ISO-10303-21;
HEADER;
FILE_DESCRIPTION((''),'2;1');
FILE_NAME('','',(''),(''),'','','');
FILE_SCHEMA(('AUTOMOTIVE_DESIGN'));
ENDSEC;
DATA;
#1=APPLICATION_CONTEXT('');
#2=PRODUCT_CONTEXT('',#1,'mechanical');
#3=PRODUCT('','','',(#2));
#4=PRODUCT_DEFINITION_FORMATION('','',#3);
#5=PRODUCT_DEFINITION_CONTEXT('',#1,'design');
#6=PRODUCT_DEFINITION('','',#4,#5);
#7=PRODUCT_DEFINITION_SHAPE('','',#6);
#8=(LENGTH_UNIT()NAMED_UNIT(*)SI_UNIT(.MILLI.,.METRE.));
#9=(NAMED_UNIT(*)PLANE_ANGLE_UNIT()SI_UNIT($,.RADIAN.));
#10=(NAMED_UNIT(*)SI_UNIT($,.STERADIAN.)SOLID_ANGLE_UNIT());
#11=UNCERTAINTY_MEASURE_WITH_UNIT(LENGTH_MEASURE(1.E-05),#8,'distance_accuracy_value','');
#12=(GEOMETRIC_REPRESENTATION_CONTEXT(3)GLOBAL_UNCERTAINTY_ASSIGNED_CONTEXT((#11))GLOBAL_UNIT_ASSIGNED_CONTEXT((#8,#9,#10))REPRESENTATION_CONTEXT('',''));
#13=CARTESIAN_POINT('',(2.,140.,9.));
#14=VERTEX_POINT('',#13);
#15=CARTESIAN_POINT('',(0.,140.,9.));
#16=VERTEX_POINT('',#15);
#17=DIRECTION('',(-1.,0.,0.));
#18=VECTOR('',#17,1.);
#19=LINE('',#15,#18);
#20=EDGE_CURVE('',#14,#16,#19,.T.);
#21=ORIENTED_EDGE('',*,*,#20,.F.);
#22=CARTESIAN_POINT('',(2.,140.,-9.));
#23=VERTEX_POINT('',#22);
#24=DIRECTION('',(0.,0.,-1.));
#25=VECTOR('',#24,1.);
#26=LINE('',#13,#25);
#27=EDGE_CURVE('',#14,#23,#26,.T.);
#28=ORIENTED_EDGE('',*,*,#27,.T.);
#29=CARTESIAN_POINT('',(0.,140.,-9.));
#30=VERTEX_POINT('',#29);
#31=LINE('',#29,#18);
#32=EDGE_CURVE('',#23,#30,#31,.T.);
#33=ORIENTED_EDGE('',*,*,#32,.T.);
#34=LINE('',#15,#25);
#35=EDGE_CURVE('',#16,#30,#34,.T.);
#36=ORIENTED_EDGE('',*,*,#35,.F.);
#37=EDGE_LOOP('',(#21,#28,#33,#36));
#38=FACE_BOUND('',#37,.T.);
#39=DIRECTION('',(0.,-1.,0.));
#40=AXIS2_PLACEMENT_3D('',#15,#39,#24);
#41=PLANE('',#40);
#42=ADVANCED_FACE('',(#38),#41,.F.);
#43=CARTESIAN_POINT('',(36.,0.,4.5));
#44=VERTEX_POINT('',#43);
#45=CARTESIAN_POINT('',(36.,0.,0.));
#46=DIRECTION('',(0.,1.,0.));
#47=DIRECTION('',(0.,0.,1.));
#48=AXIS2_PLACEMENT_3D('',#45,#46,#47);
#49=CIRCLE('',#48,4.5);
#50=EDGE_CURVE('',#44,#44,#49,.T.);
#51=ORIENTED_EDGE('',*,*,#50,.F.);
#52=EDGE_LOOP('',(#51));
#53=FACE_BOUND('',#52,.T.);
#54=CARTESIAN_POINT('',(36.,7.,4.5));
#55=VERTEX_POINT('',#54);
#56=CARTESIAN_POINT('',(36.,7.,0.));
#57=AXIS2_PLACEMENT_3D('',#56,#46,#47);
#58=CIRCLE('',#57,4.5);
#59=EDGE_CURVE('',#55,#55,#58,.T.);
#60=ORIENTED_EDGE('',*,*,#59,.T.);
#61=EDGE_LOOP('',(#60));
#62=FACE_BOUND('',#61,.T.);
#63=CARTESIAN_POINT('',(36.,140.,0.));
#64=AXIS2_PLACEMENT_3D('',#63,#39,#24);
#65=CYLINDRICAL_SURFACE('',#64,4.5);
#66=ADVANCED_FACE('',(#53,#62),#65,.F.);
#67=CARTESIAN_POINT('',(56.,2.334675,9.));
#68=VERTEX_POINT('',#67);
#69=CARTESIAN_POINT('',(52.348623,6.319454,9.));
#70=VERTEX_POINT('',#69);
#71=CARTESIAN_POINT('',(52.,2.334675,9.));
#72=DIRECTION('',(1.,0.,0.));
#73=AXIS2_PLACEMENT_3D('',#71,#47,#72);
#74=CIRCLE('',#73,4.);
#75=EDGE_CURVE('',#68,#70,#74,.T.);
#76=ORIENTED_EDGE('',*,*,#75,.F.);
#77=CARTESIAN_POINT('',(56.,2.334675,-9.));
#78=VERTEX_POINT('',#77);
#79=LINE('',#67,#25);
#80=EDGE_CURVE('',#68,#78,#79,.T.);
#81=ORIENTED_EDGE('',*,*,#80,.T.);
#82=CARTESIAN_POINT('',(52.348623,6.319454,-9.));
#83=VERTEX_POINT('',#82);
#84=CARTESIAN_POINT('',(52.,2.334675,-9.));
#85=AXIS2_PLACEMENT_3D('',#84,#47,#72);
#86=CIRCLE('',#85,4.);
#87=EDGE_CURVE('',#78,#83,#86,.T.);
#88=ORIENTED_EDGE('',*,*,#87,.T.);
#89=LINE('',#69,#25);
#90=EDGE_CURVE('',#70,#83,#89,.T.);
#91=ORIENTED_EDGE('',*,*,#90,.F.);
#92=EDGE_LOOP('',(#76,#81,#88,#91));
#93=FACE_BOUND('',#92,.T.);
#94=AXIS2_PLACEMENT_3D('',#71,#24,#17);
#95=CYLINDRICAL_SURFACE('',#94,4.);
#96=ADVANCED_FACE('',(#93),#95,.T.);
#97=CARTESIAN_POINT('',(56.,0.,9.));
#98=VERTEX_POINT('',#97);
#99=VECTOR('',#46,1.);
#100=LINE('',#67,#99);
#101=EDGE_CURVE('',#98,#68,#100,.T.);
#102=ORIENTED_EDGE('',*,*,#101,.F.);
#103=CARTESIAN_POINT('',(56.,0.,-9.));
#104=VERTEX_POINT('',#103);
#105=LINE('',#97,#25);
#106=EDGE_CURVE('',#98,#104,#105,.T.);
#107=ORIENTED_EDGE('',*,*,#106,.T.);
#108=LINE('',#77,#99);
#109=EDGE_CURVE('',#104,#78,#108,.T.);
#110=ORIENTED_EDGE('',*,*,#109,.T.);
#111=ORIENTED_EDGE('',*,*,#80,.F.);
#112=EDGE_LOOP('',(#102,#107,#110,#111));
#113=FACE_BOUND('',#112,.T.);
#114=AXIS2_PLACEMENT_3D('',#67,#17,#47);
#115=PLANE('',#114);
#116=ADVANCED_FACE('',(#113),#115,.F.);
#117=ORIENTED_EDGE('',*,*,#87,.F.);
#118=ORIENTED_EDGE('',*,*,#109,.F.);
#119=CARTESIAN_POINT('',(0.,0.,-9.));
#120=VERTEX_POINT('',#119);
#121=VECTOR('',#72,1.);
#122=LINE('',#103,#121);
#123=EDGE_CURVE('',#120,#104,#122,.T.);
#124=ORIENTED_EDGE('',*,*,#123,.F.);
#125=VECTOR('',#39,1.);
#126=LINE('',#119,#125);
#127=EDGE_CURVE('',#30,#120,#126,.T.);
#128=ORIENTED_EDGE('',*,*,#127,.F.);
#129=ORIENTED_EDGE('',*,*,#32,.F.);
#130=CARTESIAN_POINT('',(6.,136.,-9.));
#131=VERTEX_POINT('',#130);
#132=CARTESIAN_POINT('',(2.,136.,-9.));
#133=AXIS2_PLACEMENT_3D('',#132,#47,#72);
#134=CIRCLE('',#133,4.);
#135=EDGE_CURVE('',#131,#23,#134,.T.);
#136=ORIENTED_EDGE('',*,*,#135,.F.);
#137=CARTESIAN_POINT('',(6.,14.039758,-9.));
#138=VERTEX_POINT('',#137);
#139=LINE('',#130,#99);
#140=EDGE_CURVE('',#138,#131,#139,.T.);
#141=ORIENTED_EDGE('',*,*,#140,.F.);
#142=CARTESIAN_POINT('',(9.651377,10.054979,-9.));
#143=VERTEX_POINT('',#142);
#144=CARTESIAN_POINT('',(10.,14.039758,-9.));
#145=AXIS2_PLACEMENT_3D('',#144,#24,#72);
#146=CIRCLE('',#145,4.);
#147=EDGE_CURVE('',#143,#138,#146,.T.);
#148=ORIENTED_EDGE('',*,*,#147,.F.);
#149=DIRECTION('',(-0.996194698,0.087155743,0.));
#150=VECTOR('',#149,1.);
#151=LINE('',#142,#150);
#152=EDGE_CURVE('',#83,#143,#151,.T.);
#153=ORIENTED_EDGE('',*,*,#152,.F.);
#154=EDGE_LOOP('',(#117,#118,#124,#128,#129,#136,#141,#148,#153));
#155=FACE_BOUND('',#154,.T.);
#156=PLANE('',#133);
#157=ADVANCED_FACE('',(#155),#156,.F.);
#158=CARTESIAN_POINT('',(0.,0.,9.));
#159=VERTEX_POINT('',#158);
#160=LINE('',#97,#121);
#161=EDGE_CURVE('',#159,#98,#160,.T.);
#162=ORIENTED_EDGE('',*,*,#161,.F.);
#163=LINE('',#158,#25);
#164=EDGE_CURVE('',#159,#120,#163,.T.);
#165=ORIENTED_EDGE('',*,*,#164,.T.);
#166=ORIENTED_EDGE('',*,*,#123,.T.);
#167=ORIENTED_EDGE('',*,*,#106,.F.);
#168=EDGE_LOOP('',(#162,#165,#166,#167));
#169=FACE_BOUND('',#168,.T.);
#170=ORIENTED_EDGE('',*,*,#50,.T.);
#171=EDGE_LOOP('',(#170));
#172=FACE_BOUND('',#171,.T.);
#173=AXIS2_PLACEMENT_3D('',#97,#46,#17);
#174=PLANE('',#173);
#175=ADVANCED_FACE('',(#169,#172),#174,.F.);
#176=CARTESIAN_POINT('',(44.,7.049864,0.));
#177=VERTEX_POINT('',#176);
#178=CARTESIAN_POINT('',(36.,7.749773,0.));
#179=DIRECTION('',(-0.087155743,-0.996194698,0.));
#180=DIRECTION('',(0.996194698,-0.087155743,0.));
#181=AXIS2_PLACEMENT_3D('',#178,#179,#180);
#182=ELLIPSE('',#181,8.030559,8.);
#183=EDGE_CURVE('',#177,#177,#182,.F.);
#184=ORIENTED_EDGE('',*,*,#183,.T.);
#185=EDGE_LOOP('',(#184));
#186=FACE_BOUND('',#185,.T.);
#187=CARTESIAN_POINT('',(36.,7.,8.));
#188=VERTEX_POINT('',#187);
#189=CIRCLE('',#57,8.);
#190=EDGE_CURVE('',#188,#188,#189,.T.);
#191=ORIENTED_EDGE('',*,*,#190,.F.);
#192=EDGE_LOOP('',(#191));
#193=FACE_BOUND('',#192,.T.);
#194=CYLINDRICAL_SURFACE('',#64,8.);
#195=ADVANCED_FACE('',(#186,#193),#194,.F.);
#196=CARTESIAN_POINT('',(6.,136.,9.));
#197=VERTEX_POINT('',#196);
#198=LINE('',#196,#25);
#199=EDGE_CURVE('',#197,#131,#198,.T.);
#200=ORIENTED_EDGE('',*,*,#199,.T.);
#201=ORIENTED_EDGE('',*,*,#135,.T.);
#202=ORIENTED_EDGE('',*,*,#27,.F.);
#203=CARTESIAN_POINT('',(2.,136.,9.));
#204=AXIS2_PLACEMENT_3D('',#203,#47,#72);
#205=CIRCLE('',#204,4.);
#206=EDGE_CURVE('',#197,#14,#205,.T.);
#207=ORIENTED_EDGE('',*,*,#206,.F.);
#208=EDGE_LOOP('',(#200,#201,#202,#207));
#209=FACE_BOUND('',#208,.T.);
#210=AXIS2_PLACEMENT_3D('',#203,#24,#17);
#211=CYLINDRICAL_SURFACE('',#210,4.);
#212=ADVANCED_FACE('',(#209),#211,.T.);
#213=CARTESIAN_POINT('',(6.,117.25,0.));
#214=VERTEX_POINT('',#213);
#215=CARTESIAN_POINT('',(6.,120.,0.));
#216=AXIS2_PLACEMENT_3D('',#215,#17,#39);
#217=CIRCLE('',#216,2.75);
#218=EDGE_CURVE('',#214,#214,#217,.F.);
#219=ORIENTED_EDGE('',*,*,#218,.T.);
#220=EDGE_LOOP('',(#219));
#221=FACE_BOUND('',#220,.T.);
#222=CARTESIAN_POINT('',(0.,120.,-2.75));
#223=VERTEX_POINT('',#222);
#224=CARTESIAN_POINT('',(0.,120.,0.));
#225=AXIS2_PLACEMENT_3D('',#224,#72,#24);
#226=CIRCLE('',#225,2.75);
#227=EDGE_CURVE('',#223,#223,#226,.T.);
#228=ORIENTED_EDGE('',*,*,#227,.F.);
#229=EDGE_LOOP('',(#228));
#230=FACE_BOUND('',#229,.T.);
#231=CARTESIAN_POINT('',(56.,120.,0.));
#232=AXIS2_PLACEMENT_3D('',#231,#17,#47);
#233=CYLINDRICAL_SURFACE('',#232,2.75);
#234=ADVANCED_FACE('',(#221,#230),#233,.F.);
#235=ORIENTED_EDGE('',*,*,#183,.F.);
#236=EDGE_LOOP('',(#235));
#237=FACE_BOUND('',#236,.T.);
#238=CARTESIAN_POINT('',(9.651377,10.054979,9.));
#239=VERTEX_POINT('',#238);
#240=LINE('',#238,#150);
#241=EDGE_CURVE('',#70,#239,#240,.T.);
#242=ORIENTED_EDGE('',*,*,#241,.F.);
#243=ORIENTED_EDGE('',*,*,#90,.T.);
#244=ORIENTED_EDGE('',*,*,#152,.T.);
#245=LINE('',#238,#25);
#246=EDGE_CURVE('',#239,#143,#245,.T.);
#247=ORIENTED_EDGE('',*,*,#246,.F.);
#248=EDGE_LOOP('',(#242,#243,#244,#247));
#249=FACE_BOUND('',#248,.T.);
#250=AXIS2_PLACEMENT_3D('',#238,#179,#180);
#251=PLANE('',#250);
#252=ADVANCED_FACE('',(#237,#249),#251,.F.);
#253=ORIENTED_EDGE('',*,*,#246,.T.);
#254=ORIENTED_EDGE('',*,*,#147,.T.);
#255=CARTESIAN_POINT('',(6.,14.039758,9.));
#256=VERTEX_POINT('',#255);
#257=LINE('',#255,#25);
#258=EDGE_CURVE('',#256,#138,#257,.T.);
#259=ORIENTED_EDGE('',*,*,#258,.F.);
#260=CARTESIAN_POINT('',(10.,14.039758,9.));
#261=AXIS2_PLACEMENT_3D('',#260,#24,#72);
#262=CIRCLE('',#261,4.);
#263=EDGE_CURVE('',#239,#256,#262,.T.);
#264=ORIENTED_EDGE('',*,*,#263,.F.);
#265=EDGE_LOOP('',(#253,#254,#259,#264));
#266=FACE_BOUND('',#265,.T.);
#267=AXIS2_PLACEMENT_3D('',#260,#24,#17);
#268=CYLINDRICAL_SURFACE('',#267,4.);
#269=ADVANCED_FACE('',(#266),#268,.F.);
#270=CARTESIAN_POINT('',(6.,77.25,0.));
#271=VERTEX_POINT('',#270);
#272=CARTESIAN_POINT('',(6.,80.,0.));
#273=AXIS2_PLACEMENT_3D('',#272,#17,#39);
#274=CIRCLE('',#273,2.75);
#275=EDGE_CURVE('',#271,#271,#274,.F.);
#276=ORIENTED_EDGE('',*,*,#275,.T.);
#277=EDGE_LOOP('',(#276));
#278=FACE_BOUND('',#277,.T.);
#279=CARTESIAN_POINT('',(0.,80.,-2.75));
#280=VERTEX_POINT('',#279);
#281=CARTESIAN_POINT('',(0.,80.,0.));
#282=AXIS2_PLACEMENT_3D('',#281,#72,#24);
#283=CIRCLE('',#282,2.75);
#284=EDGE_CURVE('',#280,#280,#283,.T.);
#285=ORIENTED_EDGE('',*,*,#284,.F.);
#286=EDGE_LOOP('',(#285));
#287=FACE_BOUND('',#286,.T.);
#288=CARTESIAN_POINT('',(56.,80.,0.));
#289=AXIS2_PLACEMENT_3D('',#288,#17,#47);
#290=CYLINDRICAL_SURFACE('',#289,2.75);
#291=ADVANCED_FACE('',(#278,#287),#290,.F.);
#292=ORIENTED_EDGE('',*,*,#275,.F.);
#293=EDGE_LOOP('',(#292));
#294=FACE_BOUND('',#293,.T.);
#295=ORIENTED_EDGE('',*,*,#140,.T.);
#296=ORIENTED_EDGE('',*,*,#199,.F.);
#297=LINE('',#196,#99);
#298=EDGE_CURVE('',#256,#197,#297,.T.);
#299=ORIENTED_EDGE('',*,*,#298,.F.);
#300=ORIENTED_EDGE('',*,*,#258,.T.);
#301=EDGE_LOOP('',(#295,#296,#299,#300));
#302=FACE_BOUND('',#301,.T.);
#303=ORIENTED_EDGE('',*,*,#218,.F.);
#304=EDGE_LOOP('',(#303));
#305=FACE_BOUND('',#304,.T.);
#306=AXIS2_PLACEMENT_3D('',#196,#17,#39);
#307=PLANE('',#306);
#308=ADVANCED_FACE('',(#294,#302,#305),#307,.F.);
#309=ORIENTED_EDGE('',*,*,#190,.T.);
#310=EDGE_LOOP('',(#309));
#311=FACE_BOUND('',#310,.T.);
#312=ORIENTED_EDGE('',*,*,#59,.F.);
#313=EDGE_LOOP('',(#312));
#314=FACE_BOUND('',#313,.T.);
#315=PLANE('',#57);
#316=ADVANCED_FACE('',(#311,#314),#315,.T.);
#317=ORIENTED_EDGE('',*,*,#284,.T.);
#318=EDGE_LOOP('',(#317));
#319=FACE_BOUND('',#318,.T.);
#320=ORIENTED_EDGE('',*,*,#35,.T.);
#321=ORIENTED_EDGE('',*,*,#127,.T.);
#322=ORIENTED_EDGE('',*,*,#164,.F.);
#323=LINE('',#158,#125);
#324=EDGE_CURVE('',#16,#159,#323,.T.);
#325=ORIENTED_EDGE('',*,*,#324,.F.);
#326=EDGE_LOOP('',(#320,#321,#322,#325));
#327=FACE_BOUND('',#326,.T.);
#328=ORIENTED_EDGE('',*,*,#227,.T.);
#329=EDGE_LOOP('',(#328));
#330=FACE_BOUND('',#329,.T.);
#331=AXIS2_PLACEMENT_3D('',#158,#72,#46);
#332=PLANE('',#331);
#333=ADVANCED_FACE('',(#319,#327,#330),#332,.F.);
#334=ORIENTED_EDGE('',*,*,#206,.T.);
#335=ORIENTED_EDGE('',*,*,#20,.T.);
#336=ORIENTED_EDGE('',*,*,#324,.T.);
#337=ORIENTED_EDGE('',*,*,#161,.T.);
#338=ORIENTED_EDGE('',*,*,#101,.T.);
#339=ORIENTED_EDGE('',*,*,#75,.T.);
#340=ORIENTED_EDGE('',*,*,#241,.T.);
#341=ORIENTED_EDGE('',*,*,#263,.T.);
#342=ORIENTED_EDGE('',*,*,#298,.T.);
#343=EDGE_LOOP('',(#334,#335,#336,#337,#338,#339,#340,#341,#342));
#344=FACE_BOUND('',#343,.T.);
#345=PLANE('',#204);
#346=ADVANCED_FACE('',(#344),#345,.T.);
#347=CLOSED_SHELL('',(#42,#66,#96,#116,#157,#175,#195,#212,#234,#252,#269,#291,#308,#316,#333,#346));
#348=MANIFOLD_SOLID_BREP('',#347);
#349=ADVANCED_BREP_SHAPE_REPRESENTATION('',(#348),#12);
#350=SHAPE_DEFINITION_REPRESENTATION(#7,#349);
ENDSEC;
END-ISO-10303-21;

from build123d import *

# Parameters (mm, degrees)
BOSS_EXTRUDE1_DEPTH = 9
SKETCH2_R           = 4.5
CUT_EXTRUDE1_DEPTH  = 152.052970841
CUT_EXTRUDE2_START  = 7
SKETCH3_R           = 8
CUT_EXTRUDE2_DEPTH  = 145.052970841
SKETCH4_R           = 2.75
CUT_EXTRUDE3_DEPTH  = 152.052970841


with BuildPart() as part:
    # Sketch1 → Boss-Extrude1 (new, symmetric)
    with BuildSketch(Plane.XY):
        with BuildLine():
            Line((0, 0), (0, 140))
            Line((0, 140), (2, 140))
            ThreePointArc((2, 140), (4.828427125, 138.828427125), (6, 136))
            Line((6, 136), (6, 14.039757872))
            ThreePointArc((6, 14.039757872), (7.050890653, 11.337397042), (9.651377029, 10.05497908))
            Line((9.651377029, 10.05497908), (52.348622971, 6.319454096))
            ThreePointArc((52.348622971, 6.319454096), (54.949109347, 5.037036134), (56, 2.334675304))
            Line((56, 2.334675304), (56, 0))
            Line((56, 0), (0, 0))
        make_face()
    extrude(amount=BOSS_EXTRUDE1_DEPTH, both=True)

    # Sketch2 → Cut-Extrude1 (cut, through all)
    with BuildSketch(Plane(origin=(0, 0, 0), x_dir=(1, 0, 0), z_dir=(0, 1, 0))):
        with Locations((36, 0)):
            Circle(SKETCH2_R)
    extrude(amount=CUT_EXTRUDE1_DEPTH, mode=Mode.SUBTRACT)

    # Sketch3 → Cut-Extrude2 (cut, through all)
    with BuildSketch(Plane(origin=(0, 0, 0), x_dir=(1, 0, 0), z_dir=(0, 1, 0)).offset(CUT_EXTRUDE2_START)):
        with Locations((36, 0)):
            Circle(SKETCH3_R)
    extrude(amount=CUT_EXTRUDE2_DEPTH, mode=Mode.SUBTRACT)

    # Sketch4 → Cut-Extrude3 (cut, through all)
    with BuildSketch(Plane(origin=(0, 0, 0), x_dir=(0, 0, -1), z_dir=(1, 0, 0))):
        with Locations(Location((0, 80, 0), (0, 0, 270))):
            Circle(SKETCH4_R)
        with Locations(Location((0, 120, 0), (0, 0, 270))):
            Circle(SKETCH4_R)
    extrude(amount=CUT_EXTRUDE3_DEPTH, mode=Mode.SUBTRACT)


solid = part.part
